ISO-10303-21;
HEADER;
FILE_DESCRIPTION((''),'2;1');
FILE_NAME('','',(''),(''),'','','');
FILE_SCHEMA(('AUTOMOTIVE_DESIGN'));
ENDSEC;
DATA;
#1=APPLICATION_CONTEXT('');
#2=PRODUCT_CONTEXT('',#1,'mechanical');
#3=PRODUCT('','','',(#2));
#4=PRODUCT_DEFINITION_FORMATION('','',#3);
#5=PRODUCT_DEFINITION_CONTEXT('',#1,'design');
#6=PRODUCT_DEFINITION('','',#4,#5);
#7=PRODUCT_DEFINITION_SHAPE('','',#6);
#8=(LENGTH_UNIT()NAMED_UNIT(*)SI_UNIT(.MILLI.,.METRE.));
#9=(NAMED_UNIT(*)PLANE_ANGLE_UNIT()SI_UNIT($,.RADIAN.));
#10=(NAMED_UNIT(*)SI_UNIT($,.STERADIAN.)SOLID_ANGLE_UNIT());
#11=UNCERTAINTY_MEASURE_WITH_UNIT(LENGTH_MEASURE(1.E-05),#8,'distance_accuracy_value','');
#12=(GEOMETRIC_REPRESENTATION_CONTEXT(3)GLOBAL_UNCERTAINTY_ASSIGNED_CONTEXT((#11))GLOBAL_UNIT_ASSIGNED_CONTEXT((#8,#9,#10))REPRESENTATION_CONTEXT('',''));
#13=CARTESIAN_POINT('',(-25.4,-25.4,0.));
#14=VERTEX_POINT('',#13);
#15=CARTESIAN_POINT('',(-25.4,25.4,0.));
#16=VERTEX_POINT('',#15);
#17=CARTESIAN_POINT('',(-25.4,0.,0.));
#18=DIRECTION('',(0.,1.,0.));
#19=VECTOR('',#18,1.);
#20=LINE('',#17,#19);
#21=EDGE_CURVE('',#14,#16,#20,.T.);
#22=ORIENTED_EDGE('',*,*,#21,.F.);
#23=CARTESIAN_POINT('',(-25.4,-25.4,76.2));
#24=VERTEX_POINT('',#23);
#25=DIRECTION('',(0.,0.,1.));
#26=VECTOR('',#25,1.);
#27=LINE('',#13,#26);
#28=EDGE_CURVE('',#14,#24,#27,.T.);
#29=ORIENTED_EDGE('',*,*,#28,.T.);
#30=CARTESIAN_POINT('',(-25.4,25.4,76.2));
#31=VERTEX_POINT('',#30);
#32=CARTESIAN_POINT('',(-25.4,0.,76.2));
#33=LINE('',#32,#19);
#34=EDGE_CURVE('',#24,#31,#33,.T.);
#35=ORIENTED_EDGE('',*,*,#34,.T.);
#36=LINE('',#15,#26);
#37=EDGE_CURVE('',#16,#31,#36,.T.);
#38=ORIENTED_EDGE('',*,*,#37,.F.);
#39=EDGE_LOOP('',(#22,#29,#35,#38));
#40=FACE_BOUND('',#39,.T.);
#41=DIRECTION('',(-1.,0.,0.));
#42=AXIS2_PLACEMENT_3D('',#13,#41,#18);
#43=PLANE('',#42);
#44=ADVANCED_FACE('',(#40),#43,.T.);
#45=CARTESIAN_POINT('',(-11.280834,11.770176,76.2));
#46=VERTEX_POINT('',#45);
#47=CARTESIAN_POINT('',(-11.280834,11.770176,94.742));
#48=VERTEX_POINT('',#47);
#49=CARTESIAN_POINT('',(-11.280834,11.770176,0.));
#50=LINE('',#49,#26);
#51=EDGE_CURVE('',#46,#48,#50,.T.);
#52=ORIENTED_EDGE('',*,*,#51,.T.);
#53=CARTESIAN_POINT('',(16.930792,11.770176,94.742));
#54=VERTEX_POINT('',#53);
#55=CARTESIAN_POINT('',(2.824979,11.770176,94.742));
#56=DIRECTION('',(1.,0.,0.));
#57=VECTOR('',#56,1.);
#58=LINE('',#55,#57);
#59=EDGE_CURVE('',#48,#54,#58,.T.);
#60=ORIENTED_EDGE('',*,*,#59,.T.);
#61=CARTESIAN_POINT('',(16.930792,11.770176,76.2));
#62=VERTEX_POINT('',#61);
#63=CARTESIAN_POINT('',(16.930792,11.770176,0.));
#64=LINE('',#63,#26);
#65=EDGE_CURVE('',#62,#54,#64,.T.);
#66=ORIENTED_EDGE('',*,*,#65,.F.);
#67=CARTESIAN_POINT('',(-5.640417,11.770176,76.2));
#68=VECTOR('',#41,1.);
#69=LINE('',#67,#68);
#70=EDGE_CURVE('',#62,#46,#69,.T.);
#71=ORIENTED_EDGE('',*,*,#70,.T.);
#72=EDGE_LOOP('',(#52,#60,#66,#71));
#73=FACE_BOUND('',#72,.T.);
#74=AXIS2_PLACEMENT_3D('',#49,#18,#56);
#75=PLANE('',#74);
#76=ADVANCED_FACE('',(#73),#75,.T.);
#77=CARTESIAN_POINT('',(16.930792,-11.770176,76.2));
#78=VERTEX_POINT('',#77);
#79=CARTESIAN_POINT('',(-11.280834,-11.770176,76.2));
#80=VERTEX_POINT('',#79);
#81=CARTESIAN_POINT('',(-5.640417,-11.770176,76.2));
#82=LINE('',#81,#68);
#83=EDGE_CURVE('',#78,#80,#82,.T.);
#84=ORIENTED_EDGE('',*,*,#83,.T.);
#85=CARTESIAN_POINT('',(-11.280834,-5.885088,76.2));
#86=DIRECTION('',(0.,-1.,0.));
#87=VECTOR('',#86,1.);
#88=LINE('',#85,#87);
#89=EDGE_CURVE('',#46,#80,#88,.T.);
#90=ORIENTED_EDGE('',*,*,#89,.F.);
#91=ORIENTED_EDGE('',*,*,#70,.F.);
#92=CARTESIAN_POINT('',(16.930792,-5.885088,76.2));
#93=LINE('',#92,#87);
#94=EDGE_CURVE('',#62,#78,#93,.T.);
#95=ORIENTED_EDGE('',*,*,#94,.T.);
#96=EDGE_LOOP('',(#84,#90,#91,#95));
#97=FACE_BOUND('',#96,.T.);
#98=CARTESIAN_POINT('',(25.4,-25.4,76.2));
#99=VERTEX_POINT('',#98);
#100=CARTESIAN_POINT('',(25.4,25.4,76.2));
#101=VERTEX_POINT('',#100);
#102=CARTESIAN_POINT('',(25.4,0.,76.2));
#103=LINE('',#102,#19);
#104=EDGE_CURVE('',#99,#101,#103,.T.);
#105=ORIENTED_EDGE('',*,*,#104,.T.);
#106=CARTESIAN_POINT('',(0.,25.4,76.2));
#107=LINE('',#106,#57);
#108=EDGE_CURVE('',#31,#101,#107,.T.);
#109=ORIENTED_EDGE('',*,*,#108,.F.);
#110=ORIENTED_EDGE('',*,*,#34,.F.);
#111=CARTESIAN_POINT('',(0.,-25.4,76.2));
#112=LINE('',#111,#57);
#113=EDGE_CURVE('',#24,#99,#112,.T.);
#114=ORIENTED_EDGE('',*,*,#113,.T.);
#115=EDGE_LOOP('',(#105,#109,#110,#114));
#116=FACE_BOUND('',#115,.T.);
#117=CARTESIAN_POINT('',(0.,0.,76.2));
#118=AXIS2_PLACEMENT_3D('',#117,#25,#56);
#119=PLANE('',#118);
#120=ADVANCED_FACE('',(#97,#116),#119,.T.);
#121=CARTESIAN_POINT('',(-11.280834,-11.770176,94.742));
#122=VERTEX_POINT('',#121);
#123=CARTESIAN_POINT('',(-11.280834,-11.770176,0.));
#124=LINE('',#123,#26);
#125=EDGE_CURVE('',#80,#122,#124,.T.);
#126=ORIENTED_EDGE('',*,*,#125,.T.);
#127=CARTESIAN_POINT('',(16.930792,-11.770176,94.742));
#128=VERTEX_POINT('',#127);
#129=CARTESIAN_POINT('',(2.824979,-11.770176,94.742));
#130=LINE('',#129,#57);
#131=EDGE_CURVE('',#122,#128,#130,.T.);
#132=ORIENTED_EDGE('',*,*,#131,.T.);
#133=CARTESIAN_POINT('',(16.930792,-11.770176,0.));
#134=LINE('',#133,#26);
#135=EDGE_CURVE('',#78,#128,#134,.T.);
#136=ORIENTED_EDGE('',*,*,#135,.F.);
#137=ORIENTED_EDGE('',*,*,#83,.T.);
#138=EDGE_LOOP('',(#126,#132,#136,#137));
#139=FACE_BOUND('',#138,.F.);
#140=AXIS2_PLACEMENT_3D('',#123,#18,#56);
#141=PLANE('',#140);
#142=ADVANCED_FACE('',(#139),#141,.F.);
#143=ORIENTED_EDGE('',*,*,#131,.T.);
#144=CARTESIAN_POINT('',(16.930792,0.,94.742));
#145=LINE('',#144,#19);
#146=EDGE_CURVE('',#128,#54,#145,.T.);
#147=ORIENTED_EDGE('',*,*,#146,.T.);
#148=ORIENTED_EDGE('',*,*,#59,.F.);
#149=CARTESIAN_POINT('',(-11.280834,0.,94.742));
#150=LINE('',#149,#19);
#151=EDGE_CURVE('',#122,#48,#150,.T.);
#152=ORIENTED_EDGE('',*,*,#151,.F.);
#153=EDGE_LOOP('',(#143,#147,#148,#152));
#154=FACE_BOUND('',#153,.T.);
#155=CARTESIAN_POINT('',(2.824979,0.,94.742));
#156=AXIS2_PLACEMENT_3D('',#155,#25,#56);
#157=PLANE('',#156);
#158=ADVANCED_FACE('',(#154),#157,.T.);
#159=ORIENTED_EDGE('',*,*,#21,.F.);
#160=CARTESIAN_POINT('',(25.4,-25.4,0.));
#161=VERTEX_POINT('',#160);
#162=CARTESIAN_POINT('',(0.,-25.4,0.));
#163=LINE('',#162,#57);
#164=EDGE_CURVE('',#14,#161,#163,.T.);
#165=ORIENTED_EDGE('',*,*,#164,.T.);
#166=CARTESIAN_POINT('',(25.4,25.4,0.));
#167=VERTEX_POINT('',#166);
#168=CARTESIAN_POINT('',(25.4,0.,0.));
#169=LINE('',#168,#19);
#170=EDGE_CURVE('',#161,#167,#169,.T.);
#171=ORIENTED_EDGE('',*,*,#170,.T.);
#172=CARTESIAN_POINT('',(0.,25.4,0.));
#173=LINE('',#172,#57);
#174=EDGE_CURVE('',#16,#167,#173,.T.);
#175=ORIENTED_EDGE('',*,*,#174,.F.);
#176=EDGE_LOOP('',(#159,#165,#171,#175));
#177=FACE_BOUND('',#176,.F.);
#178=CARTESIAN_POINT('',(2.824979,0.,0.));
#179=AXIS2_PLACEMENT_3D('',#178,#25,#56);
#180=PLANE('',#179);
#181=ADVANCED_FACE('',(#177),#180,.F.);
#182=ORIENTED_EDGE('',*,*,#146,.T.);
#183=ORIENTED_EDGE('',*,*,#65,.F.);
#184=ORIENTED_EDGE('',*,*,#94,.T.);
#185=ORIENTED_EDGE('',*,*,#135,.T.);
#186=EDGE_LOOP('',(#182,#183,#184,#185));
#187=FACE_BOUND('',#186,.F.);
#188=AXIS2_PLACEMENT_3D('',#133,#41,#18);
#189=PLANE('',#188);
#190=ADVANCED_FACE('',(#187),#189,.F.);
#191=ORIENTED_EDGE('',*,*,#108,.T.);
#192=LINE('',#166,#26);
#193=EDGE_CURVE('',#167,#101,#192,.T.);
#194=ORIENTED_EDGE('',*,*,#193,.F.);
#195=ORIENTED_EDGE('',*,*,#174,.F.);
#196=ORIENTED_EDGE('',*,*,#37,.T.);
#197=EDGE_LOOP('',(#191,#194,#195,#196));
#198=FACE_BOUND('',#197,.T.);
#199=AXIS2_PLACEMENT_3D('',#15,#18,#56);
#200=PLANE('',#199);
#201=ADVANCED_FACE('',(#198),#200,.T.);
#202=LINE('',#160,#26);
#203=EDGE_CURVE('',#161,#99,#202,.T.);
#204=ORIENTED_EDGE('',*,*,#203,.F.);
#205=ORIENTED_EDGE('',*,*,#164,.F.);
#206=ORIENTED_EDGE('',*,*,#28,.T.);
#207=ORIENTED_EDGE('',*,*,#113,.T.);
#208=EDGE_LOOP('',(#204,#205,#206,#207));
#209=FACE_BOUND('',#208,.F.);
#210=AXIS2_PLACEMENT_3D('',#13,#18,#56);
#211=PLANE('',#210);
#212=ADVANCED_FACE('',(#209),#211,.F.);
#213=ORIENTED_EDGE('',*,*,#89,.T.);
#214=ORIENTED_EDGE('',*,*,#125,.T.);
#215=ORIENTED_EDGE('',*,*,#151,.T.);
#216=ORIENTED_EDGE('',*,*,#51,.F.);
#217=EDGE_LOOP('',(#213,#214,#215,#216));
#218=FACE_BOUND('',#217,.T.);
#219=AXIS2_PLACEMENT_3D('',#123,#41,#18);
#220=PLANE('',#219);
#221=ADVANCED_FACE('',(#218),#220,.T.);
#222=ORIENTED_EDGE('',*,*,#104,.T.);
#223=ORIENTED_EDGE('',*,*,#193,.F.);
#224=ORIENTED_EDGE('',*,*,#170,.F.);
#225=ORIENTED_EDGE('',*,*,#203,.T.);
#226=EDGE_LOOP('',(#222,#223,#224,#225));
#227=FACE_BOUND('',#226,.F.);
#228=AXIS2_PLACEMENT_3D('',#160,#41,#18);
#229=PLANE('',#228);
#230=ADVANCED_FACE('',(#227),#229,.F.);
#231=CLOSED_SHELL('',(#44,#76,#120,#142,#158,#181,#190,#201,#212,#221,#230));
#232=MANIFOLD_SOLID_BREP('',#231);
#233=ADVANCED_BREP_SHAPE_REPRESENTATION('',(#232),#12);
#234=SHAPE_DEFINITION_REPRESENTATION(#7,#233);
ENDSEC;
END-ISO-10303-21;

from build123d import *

# Parameters (mm, degrees)
F0_W     = 50.8
F0_H     = 50.8
F1_DEPTH = 76.2
F2_W     = 28.211626
F2_H     = 23.540352
F3_DEPTH = 94.742


with BuildPart() as f1:
    # F0 (on Top) → F1 (new body)
    with BuildSketch(Plane.XY):
        Rectangle(F0_W, F0_H)
    extrude(amount=F1_DEPTH)

    # F2 (on Top) → F3 (join)
    with BuildSketch(Plane.XY):
        with Locations((2.824979, 0)):
            Rectangle(F2_W, F2_H)
    extrude(amount=F3_DEPTH)


solid = f1.part
